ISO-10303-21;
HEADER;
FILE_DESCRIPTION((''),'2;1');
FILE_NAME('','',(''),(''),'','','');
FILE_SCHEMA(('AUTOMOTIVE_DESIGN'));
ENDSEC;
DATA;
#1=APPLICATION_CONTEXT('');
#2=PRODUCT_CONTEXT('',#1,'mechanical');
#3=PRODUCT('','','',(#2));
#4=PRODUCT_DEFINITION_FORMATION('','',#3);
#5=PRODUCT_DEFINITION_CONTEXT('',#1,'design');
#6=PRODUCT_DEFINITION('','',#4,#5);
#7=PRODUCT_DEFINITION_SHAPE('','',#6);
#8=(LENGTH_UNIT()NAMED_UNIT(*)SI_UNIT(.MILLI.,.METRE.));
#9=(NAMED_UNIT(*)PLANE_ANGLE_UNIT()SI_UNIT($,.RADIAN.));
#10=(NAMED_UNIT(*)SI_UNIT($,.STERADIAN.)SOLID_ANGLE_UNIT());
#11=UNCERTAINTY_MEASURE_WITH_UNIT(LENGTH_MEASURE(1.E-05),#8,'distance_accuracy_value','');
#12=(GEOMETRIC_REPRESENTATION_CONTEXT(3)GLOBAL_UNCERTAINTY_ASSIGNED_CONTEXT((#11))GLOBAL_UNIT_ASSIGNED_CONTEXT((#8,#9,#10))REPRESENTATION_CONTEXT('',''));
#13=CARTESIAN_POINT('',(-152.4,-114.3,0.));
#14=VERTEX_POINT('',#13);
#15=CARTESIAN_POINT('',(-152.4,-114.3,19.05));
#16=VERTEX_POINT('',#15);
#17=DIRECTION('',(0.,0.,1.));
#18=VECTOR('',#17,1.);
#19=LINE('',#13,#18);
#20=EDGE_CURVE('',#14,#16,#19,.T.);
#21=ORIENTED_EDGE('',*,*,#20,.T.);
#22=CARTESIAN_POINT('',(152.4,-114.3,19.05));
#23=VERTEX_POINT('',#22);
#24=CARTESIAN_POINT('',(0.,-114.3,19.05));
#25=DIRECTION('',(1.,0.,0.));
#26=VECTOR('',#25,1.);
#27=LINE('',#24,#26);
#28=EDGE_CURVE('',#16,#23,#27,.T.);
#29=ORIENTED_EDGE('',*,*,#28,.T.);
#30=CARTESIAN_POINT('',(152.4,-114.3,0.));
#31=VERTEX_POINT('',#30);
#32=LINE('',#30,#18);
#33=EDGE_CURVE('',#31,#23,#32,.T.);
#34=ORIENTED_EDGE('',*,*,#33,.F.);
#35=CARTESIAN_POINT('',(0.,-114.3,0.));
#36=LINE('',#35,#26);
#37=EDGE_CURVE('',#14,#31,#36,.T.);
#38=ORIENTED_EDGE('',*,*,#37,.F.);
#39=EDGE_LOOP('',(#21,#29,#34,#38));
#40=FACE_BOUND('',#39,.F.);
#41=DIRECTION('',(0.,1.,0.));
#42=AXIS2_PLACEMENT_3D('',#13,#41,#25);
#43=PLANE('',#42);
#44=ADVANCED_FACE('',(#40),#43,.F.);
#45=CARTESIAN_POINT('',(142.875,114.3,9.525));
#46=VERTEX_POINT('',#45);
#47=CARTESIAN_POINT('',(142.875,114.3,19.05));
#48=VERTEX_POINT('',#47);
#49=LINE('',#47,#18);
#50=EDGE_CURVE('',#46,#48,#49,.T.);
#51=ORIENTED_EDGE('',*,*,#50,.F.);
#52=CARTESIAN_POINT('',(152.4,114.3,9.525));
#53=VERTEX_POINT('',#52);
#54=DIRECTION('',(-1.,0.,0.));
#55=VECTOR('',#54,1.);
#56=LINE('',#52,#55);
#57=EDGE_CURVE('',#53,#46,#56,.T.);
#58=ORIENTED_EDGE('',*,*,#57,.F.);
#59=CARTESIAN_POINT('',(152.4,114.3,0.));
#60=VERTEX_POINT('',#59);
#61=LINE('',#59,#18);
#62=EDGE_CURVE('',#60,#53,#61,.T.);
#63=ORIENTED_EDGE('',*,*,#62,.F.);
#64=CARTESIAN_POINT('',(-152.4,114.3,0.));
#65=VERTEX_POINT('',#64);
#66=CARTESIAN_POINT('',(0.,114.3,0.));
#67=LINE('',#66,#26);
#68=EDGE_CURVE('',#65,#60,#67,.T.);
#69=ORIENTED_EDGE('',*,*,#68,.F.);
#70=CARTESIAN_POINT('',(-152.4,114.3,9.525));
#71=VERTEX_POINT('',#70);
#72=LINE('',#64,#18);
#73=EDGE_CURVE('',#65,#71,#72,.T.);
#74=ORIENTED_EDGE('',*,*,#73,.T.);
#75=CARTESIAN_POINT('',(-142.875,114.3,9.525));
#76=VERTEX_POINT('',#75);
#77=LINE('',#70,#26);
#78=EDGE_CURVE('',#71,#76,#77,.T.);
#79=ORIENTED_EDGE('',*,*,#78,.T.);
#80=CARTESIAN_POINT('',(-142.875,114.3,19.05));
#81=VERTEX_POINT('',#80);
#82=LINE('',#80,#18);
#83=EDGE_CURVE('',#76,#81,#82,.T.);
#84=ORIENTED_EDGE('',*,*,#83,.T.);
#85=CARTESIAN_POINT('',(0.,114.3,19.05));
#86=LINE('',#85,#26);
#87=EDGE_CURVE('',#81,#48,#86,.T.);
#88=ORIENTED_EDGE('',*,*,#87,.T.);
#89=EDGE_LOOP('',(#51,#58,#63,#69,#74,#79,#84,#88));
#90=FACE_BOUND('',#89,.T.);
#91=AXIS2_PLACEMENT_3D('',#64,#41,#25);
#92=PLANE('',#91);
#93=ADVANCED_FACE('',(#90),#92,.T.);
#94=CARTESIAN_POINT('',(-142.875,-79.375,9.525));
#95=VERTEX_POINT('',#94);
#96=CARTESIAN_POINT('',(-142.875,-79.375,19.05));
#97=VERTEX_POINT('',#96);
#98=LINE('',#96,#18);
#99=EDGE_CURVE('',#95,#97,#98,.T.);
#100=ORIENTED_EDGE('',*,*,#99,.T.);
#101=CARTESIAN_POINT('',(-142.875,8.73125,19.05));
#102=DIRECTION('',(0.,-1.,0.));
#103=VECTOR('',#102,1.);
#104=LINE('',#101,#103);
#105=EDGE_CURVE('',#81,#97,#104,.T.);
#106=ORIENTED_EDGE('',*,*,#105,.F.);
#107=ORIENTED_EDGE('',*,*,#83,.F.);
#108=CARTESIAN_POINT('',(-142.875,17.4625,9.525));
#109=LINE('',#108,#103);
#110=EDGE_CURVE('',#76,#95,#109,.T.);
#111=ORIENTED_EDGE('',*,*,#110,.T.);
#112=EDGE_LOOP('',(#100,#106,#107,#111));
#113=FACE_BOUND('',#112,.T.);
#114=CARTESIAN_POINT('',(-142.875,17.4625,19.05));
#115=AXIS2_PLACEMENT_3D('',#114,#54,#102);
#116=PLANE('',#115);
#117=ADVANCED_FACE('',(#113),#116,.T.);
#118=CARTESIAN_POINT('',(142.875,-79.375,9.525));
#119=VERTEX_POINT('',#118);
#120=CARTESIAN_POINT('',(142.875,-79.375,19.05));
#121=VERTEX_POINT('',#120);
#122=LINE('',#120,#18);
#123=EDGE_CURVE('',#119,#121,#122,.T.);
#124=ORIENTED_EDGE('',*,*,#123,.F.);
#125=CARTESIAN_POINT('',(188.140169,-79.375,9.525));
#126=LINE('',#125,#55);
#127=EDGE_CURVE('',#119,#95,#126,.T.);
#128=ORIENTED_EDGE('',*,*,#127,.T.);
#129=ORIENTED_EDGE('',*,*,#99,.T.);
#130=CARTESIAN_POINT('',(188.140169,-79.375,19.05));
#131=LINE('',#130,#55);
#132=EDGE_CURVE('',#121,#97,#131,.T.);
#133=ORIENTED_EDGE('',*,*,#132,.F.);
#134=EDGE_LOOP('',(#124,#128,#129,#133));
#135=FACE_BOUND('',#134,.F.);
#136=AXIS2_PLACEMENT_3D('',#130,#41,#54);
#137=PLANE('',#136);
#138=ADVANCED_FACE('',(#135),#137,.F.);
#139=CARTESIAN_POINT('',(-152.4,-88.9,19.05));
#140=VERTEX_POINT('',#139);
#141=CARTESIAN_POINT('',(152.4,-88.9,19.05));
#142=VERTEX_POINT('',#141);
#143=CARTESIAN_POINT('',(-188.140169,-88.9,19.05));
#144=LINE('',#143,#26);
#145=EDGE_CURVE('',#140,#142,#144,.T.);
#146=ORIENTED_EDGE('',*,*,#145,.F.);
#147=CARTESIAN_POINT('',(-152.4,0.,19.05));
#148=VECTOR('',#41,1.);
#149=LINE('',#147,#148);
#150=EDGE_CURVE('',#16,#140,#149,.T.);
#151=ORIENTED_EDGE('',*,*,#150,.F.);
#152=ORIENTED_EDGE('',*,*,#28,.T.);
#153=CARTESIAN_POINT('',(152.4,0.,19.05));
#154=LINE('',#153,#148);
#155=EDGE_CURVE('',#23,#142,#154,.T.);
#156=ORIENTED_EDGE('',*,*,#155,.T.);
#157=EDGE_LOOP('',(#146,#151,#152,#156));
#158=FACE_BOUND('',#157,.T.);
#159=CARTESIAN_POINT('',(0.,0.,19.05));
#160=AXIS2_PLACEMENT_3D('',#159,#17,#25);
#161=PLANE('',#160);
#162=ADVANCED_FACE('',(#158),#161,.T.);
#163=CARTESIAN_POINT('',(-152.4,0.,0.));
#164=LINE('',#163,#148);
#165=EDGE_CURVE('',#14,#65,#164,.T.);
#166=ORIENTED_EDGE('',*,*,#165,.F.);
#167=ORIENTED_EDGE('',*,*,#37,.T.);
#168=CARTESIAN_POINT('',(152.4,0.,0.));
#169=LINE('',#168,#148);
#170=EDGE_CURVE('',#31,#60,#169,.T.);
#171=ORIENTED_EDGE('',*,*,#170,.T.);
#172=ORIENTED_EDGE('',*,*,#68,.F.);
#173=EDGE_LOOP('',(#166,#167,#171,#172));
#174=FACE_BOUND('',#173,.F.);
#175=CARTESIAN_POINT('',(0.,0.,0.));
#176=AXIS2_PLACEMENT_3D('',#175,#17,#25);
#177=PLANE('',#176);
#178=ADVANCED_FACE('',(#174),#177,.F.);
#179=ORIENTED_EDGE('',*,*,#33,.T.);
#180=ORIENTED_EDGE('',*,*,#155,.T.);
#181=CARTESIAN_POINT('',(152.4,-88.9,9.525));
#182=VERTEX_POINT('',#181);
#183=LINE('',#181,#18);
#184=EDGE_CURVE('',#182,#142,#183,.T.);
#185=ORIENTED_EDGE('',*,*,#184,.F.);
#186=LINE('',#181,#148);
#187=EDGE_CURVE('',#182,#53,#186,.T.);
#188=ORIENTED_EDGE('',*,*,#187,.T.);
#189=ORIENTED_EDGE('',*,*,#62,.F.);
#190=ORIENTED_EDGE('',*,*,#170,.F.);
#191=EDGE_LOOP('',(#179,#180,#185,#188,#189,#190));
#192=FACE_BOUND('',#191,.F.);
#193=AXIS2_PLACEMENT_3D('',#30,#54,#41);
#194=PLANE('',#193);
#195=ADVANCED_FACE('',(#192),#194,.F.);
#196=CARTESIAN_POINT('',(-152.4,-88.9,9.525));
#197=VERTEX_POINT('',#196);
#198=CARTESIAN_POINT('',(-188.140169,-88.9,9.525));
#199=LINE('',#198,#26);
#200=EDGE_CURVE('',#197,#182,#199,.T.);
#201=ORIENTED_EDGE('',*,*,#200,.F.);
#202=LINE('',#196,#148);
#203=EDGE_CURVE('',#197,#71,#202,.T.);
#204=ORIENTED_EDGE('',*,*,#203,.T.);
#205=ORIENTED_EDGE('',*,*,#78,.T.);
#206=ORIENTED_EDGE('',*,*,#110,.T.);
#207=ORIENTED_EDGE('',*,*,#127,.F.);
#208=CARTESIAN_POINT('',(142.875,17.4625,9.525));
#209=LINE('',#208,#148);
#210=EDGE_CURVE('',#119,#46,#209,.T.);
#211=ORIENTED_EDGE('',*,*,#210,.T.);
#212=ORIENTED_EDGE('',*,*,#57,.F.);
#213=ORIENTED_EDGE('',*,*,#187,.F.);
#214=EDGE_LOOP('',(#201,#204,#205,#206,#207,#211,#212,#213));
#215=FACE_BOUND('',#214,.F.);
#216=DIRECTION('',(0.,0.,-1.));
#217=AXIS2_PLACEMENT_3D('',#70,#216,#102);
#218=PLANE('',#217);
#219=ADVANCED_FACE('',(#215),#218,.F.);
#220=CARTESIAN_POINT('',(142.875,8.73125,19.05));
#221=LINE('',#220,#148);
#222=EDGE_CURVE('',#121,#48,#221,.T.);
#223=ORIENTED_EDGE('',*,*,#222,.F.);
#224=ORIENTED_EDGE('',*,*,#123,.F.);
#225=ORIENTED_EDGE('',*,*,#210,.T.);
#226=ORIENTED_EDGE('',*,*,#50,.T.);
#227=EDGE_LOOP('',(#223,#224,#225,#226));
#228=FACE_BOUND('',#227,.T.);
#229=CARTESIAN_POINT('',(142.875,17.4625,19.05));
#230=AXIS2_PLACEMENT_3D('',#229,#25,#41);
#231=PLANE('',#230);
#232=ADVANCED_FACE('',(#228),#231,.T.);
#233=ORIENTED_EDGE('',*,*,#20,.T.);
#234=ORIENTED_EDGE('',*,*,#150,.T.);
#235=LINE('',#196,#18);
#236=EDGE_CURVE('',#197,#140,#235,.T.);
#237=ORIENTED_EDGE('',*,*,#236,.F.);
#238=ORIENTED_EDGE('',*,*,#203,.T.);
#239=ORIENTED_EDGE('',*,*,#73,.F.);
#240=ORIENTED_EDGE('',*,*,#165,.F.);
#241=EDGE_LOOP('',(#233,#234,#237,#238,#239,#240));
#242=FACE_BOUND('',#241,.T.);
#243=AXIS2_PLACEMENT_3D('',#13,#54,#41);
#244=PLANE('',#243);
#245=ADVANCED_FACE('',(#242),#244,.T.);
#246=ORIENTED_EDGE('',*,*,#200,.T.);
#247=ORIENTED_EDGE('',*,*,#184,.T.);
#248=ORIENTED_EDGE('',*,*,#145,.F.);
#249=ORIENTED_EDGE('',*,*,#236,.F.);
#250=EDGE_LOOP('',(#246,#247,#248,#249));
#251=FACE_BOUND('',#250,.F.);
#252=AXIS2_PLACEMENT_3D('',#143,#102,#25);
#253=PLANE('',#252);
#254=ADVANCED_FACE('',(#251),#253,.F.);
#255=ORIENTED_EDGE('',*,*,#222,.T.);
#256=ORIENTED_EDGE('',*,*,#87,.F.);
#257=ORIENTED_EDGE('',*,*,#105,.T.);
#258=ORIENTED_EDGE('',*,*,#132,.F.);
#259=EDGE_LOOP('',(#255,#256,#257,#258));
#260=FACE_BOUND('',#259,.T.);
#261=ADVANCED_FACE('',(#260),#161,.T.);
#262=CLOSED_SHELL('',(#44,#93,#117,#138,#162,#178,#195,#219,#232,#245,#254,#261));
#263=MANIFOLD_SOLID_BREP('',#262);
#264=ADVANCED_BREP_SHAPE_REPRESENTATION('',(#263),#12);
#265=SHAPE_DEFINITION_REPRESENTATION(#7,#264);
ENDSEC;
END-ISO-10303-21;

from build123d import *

# Parameters (mm, degrees)
F0_W     = 304.8
F0_H     = 228.6
F1_DEPTH = 19.05
F3_DEPTH = 9.525
F4_W     = 193.675
F4_H     = 19.05
F5_DEPTH = 9.525
F6_W     = 193.675
F6_H     = 19.05
F7_DEPTH = 9.525


with BuildPart() as f1:
    # F0 (on Top) → F1 (new body)
    with BuildSketch(Plane.XY):
        Rectangle(F0_W, F0_H)
    extrude(amount=F1_DEPTH)

    # F2 (on face) → F3 (cut)
    with BuildSketch(Plane.XY.offset(19.05)):
        Polygon((188.140169, -88.9), (188.140169, -79.375), (-188.140169, -79.375), (-188.140169, -88.9), (0, -88.9), align=None)
    extrude(amount=-F3_DEPTH, mode=Mode.SUBTRACT)

    # F4 (on face) → F5 (cut)
    with BuildSketch(Plane(origin=(-152.4, 0, 0), x_dir=(0, -1, 0), z_dir=(-1, 0, 0))):
        with Locations((-17.4625, 19.05)):
            Rectangle(F4_W, F4_H)
    extrude(amount=-F5_DEPTH, mode=Mode.SUBTRACT)

    # F6 (on face) → F7 (cut)
    with BuildSketch(Plane.YZ.offset(152.4)):
        with Locations((17.4625, 19.05)):
            Rectangle(F6_W, F6_H)
    extrude(amount=-F7_DEPTH, mode=Mode.SUBTRACT)


solid = f1.part
